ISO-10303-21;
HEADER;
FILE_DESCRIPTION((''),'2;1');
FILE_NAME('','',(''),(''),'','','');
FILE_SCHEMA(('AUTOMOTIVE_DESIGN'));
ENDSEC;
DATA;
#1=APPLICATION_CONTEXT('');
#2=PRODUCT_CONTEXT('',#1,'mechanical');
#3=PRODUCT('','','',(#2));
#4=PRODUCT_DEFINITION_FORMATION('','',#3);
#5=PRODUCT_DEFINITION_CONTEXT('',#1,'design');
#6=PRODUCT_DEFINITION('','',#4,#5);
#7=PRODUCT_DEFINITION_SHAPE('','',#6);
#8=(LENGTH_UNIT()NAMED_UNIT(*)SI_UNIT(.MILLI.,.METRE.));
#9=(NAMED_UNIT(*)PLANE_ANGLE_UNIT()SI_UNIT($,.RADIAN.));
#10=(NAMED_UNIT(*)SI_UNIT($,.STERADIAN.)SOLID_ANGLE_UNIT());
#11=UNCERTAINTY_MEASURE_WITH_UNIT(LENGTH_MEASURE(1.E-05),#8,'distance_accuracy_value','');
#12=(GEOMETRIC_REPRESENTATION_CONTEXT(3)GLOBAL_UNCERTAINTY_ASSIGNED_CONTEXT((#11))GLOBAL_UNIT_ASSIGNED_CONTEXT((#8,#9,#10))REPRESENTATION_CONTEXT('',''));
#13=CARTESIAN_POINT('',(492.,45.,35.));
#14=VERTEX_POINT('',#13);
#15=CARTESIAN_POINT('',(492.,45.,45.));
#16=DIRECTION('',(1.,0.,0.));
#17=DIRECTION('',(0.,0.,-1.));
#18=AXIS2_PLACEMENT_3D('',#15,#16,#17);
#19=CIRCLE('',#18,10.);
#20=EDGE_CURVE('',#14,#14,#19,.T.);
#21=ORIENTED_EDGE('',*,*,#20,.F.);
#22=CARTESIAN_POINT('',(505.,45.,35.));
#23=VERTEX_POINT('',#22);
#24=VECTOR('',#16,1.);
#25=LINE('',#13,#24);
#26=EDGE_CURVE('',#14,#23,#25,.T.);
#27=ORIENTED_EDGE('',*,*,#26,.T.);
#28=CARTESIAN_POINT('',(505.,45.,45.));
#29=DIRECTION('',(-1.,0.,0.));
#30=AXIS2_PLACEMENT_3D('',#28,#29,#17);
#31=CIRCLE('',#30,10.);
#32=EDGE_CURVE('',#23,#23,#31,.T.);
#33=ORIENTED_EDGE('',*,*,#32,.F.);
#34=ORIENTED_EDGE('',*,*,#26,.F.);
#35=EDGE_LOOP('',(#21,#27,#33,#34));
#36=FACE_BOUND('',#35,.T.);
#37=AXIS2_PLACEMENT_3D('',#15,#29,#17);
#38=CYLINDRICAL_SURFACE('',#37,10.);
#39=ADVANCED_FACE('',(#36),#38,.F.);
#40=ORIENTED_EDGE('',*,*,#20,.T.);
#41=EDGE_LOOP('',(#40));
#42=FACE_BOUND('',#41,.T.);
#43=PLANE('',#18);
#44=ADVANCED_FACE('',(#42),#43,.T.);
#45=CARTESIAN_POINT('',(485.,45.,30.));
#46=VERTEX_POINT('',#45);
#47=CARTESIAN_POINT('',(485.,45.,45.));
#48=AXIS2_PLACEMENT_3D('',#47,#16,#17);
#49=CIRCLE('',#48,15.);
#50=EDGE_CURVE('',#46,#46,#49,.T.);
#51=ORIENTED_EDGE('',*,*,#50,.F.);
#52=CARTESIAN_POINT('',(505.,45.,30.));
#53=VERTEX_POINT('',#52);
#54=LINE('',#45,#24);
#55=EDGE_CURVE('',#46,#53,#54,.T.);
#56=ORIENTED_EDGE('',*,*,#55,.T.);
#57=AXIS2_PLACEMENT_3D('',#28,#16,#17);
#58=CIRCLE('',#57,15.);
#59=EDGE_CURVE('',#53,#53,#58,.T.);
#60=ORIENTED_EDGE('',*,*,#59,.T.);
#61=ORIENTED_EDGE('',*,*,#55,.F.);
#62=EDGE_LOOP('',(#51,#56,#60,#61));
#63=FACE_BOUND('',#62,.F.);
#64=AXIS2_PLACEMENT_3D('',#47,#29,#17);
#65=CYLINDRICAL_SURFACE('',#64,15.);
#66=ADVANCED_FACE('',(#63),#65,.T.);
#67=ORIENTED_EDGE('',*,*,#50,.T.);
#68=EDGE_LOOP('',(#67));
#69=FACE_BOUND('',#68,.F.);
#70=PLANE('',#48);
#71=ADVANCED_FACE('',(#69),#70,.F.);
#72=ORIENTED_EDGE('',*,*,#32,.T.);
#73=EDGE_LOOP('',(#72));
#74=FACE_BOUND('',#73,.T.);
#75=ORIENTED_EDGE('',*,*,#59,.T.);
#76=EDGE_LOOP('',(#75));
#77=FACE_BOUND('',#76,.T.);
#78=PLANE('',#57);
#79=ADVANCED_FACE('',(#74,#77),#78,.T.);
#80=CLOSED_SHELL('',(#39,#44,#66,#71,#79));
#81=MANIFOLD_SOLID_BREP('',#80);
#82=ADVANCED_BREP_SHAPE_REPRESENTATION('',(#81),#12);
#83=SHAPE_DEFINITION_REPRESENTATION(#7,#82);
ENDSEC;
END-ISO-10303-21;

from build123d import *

# Parameters (mm, degrees)
CYLINDER029_R           = 10
CYLINDER029_DEPTH       = 16
CYLINDER029_PITCH_ANGLE = 90
CYLINDER028_R           = 15
CYLINDER028_DEPTH       = 20
CYLINDER028_PITCH_ANGLE = 90


with BuildPart() as cylinder029:
    # Cylinder029 → Cylinder029 (new body)
    with BuildSketch(Plane.XY):
        Circle(CYLINDER029_R)
    extrude(amount=CYLINDER029_DEPTH)


with BuildPart() as cylinder029_1:
    # Cylinder029 pitch: moved
    add(cylinder029.part.rotate(Axis((0, 0, 0), (0, 1, 0)), CYLINDER029_PITCH_ANGLE))


with BuildPart() as cylinder029_2:
    # Cylinder029 placement: moved
    add(cylinder029_1.part.moved(Location((492, 45, 45))))


with BuildPart() as micro_grid_plug:
    # Cylinder028 → Cylinder028 (new body)
    with BuildSketch(Plane.XY):
        Circle(CYLINDER028_R)
    extrude(amount=CYLINDER028_DEPTH)


with BuildPart() as micro_grid_plug_1:
    # Cylinder028 pitch: moved
    add(micro_grid_plug.part.rotate(Axis((0, 0, 0), (0, 1, 0)), CYLINDER028_PITCH_ANGLE))


with BuildPart() as micro_grid_plug_2:
    # Cylinder028 placement: moved
    add(micro_grid_plug_1.part.moved(Location((485, 45, 45))))

    # Cut015: cut Cylinder029
    add(cylinder029_2.part, mode=Mode.SUBTRACT)


solid = micro_grid_plug_2.part
